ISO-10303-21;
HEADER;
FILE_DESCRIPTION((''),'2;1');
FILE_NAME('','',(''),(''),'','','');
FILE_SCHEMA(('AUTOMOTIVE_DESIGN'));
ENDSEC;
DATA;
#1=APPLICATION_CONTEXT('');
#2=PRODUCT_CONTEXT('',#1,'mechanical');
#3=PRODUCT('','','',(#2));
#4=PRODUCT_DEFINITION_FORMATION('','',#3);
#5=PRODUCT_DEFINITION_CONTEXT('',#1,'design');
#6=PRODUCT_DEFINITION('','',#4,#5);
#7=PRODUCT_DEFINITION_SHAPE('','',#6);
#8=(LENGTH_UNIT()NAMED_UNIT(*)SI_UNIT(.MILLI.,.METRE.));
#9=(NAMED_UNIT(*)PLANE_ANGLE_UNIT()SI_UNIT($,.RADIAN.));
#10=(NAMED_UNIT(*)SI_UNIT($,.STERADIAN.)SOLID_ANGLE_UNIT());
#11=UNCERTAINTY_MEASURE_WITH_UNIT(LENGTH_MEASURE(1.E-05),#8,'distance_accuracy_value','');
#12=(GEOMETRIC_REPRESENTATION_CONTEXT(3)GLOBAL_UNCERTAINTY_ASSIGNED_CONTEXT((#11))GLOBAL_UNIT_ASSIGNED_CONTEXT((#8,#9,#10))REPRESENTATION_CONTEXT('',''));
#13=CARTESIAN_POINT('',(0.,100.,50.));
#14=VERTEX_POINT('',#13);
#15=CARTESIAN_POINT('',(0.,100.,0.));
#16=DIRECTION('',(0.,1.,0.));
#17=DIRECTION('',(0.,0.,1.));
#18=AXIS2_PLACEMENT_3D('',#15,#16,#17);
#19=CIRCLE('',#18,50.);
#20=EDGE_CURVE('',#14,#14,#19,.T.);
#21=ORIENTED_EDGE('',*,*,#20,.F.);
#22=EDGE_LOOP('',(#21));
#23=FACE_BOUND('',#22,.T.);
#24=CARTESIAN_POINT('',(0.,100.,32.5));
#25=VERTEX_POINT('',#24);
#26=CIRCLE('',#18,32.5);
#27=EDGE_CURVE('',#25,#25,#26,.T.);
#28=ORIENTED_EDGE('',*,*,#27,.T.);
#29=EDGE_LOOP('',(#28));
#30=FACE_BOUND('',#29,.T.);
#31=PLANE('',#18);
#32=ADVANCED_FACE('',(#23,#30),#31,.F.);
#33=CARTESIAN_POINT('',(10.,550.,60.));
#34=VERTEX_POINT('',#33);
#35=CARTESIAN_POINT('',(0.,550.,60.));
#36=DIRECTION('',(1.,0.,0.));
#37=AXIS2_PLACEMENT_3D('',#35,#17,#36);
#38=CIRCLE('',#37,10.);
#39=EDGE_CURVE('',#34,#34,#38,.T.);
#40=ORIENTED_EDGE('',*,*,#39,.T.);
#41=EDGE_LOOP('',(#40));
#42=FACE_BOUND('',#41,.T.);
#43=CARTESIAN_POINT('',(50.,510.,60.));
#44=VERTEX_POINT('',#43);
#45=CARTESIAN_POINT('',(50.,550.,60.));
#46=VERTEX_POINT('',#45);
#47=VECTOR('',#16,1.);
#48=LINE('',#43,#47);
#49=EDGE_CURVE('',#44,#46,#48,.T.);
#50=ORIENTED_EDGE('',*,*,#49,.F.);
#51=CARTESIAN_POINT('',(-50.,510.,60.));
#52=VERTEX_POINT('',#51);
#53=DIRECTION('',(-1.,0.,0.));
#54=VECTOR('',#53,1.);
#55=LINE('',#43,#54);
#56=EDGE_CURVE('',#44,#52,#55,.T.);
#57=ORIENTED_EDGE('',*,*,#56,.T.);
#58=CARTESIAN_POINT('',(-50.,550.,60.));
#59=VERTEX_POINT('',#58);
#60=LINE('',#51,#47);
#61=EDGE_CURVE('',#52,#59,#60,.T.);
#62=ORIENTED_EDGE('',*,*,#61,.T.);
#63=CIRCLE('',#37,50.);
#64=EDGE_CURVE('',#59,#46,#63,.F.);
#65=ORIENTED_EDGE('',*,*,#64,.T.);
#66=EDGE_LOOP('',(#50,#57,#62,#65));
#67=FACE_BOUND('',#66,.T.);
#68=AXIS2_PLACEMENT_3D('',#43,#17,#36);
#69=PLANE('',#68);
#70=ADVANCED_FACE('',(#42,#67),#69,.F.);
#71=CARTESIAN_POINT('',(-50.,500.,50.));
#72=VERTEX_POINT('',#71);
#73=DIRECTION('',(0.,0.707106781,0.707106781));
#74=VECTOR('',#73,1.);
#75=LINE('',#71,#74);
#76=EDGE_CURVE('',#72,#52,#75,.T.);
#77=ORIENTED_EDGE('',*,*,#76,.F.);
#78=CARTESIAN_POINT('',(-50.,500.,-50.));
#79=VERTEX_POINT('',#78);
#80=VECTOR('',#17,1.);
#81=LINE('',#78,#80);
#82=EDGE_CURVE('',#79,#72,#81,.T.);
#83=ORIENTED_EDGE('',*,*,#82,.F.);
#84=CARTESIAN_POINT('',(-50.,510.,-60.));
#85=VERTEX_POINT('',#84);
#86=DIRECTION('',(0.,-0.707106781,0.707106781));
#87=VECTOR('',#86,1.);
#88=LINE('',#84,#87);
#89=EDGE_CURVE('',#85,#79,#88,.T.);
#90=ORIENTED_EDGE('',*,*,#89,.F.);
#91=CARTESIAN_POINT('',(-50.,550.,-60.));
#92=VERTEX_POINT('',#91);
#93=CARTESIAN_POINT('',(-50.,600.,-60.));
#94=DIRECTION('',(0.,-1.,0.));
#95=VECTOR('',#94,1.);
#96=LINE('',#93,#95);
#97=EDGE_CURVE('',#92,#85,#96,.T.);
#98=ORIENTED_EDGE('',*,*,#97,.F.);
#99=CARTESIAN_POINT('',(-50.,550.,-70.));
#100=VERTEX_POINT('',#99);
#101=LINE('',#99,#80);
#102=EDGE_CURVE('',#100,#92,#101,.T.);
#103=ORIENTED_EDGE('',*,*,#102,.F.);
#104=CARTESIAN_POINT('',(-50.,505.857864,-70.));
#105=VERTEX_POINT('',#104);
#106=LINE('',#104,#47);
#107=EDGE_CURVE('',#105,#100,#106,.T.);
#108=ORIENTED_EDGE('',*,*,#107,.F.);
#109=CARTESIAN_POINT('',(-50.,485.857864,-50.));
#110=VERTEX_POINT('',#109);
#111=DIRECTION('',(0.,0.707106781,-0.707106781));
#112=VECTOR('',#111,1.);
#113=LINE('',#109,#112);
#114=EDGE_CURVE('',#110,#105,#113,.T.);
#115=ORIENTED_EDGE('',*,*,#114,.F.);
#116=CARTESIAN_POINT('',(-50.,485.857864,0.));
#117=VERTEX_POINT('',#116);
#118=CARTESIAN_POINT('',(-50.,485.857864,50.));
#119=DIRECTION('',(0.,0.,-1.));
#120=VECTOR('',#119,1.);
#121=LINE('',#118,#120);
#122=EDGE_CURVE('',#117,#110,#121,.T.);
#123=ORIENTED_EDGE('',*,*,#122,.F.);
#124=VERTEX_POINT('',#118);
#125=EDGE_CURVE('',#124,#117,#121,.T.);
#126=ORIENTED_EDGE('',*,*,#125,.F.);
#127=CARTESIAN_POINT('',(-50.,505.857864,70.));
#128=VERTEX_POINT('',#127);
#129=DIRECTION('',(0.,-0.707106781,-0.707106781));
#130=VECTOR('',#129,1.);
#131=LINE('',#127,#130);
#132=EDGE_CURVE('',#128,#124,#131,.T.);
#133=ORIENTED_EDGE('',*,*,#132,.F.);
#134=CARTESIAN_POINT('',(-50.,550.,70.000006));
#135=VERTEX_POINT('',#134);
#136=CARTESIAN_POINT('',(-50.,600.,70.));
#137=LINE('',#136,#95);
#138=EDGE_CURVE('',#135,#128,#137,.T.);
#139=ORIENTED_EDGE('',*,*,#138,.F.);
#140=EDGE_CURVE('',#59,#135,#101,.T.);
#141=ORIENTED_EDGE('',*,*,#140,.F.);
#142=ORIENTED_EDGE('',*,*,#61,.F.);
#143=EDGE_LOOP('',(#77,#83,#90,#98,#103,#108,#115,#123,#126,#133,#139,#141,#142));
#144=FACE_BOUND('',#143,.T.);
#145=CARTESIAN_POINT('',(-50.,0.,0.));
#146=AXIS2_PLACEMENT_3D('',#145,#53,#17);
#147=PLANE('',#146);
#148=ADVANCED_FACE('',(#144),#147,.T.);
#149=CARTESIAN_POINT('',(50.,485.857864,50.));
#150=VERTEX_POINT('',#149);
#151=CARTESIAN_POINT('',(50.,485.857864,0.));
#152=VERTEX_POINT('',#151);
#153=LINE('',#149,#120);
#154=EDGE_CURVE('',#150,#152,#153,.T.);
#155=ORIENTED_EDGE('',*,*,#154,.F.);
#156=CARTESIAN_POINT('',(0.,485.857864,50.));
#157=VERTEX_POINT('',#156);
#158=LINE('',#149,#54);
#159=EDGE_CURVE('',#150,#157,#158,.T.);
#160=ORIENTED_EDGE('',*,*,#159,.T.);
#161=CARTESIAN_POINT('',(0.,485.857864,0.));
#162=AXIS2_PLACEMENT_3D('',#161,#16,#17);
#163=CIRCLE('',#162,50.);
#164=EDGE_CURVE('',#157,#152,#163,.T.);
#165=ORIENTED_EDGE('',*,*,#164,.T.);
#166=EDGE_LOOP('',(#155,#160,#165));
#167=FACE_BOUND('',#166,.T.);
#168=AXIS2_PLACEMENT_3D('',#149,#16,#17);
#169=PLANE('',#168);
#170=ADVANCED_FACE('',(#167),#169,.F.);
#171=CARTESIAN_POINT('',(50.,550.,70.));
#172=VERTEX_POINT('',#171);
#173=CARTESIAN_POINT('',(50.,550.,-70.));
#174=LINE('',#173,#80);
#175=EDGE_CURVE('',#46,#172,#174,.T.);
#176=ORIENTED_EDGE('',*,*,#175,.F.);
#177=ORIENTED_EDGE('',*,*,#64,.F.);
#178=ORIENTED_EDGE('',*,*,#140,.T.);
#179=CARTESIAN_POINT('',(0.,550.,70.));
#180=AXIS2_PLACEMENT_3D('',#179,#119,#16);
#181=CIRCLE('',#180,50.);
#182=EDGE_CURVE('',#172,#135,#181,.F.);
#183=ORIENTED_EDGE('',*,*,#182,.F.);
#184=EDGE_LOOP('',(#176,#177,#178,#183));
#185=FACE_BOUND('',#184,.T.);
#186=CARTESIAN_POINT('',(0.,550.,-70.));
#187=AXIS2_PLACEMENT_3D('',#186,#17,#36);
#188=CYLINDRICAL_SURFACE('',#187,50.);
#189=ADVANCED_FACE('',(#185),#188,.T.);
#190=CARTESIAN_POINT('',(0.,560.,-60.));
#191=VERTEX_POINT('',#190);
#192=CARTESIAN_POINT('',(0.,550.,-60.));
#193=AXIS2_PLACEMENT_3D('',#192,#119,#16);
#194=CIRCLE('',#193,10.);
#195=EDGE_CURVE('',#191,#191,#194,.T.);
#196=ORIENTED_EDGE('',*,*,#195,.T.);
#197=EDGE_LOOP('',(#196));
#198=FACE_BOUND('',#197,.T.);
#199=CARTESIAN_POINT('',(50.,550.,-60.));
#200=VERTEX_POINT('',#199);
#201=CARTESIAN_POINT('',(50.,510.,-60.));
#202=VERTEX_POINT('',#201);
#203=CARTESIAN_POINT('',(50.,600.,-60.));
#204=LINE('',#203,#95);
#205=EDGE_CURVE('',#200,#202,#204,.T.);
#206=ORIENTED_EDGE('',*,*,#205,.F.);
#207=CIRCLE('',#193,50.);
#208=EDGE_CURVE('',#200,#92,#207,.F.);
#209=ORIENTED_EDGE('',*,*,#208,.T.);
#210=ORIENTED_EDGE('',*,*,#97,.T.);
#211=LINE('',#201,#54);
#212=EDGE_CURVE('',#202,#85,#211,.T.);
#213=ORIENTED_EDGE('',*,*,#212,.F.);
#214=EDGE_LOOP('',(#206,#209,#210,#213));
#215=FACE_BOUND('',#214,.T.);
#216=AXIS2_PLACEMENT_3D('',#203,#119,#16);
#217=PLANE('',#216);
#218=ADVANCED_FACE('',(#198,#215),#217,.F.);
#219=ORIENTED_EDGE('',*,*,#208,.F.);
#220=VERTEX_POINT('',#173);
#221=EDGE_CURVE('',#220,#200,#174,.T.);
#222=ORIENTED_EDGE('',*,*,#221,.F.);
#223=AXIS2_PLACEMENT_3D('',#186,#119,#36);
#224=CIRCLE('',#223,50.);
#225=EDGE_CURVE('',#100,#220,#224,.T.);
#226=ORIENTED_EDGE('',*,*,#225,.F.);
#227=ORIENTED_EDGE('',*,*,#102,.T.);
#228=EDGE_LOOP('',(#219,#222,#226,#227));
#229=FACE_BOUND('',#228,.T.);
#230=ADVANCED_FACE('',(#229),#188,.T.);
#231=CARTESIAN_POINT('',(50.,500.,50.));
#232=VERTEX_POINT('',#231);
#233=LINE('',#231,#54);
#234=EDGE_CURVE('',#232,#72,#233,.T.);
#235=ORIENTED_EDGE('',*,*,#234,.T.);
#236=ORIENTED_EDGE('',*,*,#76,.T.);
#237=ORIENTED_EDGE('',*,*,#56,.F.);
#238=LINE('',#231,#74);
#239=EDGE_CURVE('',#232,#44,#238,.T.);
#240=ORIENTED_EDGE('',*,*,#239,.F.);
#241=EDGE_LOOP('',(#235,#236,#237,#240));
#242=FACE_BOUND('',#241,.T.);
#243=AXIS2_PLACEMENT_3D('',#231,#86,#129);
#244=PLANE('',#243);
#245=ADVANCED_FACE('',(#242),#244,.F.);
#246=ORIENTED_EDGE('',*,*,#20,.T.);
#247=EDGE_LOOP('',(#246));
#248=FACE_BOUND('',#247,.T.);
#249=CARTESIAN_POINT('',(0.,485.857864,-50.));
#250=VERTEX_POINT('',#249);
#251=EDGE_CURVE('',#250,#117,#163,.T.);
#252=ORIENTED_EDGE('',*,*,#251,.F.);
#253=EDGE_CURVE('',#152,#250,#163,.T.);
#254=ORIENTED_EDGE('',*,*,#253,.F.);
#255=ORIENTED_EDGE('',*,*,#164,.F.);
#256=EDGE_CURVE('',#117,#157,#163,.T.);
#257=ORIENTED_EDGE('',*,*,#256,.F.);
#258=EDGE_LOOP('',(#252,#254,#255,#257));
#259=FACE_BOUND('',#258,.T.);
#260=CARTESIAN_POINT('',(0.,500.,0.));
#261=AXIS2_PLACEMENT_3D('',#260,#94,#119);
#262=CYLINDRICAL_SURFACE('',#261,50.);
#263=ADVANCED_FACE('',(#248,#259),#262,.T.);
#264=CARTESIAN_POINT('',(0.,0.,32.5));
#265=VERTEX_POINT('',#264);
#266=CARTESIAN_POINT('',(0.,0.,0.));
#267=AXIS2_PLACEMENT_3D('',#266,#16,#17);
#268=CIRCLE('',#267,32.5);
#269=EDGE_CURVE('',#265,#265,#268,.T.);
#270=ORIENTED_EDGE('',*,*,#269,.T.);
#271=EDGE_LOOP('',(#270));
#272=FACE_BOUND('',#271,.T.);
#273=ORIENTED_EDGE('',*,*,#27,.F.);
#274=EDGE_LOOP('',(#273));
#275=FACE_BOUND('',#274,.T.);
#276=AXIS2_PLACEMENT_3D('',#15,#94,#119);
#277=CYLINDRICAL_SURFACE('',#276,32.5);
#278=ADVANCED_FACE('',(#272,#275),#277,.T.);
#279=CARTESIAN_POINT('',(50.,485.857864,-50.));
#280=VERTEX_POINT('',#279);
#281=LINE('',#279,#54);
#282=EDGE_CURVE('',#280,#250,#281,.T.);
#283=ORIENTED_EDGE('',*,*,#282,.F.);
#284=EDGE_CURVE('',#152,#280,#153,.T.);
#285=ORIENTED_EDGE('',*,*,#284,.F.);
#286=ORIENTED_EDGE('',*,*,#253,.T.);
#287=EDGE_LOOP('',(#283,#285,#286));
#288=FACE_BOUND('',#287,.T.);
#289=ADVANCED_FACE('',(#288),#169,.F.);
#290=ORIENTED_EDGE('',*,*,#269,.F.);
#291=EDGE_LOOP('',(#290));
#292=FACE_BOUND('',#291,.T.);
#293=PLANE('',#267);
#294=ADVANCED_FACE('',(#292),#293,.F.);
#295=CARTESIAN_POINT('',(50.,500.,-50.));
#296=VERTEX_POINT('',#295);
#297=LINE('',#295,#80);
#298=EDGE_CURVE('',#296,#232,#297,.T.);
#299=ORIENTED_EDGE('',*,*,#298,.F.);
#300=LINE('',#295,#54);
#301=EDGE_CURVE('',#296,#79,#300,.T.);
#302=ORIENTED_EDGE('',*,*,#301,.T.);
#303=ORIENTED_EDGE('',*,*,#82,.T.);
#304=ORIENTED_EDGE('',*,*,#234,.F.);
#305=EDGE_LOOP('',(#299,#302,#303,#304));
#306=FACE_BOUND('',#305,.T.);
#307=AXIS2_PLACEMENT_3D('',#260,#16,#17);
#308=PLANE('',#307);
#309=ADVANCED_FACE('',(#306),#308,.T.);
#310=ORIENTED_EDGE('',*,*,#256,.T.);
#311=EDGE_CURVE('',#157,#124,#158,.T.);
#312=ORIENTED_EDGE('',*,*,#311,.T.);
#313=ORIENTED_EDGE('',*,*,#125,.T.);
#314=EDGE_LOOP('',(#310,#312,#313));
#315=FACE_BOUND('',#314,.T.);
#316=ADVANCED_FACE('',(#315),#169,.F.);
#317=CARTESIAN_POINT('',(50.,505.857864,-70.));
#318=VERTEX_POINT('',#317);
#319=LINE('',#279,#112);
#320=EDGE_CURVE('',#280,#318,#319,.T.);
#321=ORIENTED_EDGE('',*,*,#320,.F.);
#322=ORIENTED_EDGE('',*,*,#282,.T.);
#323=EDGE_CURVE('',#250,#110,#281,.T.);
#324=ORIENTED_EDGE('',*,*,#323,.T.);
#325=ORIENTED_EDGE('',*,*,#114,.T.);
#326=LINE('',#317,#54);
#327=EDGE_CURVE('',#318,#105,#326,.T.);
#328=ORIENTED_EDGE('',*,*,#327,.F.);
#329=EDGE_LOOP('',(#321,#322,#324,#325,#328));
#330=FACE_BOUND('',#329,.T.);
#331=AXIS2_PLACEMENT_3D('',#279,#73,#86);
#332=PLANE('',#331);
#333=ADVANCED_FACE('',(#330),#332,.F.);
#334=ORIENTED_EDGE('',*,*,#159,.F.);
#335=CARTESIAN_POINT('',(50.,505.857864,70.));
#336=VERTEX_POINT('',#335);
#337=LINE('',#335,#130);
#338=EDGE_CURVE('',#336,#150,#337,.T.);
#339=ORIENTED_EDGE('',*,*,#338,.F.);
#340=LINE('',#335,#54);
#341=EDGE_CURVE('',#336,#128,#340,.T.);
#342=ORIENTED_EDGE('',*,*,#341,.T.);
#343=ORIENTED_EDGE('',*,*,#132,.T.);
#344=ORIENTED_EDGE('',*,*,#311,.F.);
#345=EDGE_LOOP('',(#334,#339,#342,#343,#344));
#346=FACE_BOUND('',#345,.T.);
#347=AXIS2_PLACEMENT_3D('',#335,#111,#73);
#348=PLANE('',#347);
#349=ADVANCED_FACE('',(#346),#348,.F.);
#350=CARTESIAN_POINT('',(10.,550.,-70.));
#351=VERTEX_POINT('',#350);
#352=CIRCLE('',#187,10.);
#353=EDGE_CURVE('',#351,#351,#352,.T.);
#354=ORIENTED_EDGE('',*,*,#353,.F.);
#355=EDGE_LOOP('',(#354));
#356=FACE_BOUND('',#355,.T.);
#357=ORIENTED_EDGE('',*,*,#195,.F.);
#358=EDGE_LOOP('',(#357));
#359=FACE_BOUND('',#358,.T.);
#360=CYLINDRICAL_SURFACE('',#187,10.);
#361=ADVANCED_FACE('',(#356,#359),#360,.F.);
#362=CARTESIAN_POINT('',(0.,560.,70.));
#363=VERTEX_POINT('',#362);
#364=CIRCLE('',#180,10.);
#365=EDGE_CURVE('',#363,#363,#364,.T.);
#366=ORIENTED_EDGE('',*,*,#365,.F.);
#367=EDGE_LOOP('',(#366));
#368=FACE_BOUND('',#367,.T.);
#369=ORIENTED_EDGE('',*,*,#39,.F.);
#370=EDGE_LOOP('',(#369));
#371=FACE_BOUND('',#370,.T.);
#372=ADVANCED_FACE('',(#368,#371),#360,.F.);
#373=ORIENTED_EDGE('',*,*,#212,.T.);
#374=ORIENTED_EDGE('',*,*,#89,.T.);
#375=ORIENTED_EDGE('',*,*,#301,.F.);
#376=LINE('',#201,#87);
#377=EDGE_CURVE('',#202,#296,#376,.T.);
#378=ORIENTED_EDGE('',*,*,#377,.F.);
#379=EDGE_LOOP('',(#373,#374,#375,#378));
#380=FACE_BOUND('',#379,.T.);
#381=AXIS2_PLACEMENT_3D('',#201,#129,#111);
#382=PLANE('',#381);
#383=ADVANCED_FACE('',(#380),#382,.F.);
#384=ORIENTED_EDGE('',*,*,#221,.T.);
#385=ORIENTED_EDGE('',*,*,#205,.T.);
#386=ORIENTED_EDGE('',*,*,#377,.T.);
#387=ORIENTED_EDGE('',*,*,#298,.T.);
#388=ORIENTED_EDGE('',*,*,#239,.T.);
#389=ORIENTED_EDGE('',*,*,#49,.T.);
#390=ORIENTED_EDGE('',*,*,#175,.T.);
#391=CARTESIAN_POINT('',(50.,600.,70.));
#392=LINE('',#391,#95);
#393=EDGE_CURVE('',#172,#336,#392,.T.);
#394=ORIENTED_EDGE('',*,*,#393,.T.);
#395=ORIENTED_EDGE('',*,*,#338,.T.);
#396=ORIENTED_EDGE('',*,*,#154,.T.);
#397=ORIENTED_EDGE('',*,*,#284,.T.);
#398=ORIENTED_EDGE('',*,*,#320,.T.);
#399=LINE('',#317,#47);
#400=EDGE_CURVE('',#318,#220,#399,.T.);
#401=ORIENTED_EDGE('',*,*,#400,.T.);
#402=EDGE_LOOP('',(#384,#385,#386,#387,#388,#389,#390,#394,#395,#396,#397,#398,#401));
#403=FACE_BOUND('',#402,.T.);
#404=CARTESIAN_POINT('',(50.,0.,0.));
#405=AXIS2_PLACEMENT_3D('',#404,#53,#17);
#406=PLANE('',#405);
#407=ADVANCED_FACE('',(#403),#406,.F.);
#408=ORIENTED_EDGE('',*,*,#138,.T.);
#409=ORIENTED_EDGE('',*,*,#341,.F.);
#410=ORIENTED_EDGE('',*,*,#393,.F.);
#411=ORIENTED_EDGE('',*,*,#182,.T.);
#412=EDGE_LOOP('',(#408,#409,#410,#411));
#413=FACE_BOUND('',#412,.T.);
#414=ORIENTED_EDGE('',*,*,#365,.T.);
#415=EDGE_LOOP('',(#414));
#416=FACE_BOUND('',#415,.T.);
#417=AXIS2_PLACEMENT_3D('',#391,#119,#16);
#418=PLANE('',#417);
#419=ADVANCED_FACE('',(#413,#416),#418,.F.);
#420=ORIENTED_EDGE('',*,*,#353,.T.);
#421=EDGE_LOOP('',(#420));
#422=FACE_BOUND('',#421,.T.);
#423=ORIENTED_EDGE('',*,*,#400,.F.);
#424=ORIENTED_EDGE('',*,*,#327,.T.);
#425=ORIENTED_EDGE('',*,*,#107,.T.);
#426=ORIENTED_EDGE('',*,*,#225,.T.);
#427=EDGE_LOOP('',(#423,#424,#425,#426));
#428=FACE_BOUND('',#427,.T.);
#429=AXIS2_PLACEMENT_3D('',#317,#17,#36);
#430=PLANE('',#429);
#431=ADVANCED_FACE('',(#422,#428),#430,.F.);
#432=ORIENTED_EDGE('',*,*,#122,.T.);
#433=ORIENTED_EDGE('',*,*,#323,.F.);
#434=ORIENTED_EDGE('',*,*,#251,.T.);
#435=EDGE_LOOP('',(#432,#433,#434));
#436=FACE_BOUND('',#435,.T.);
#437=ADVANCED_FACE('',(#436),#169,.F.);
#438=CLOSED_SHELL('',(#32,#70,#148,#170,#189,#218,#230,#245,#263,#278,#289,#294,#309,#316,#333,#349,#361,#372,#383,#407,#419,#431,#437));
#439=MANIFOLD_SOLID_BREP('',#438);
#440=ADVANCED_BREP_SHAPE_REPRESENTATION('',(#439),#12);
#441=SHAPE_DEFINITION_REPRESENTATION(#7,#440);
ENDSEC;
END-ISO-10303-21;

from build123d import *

# Parameters (mm, degrees)
SKETCH1_R               = 32.5
BOSS_EXTRUDE1_DEPTH     = 100
SKETCH2_R               = 50
BOSS_EXTRUDE2_DEPTH     = 400
BOSS_EXTRUDE3_DEPTH     = 50
SKETCH7_R               = 10
CUT_EXTRUDE2_DEPTH      = 1
CUT_EXTRUDE2_DEPTH_BACK = 141


with BuildPart() as part:
    # Sketch1 → Boss-Extrude1 (new body)
    with BuildSketch(Plane(origin=(0, 0, 0), x_dir=(1, 0, 0), z_dir=(0, 1, 0))):
        Circle(SKETCH1_R)
    extrude(amount=BOSS_EXTRUDE1_DEPTH)

    # Sketch2 → Boss-Extrude2 (add)
    with BuildSketch(Plane(origin=(0, 100, 0), x_dir=(1, 0, 0), z_dir=(0, 1, 0))):
        Circle(SKETCH2_R)
    extrude(amount=BOSS_EXTRUDE2_DEPTH)

    # Sketch6 → Boss-Extrude3 (add, symmetric)
    with BuildSketch(Plane(origin=(0, 0, 0), x_dir=(0, 0, -1), z_dir=(1, 0, 0))):
        Polygon((-50, 500), (-60, 510), (-60, 600), (-70, 600), (-70, 505.857864376), (-50, 485.857864376), (50, 485.857864376), (70, 505.857864376), (70, 600), (60, 600), (60, 510), (50, 500), align=None)
    extrude(amount=BOSS_EXTRUDE3_DEPTH, both=True)

    # Sketch7 → Cut-Extrude2 (cut, two sides)
    with BuildSketch(Plane.XY.offset(70)) as cut_extrude2_sk:
        with Locations((0, 550)):
            Circle(SKETCH7_R)
        with BuildLine():
            Line((-50, 550), (-50, 605))
            Line((-50, 605), (50, 605))
            Line((50, 605), (50, 550))
            ThreePointArc((50, 550), (0, 600), (-50, 550))
        make_face()
    extrude(amount=CUT_EXTRUDE2_DEPTH, mode=Mode.SUBTRACT)
    extrude(cut_extrude2_sk.sketch, amount=-CUT_EXTRUDE2_DEPTH_BACK, mode=Mode.SUBTRACT)


solid = part.part
